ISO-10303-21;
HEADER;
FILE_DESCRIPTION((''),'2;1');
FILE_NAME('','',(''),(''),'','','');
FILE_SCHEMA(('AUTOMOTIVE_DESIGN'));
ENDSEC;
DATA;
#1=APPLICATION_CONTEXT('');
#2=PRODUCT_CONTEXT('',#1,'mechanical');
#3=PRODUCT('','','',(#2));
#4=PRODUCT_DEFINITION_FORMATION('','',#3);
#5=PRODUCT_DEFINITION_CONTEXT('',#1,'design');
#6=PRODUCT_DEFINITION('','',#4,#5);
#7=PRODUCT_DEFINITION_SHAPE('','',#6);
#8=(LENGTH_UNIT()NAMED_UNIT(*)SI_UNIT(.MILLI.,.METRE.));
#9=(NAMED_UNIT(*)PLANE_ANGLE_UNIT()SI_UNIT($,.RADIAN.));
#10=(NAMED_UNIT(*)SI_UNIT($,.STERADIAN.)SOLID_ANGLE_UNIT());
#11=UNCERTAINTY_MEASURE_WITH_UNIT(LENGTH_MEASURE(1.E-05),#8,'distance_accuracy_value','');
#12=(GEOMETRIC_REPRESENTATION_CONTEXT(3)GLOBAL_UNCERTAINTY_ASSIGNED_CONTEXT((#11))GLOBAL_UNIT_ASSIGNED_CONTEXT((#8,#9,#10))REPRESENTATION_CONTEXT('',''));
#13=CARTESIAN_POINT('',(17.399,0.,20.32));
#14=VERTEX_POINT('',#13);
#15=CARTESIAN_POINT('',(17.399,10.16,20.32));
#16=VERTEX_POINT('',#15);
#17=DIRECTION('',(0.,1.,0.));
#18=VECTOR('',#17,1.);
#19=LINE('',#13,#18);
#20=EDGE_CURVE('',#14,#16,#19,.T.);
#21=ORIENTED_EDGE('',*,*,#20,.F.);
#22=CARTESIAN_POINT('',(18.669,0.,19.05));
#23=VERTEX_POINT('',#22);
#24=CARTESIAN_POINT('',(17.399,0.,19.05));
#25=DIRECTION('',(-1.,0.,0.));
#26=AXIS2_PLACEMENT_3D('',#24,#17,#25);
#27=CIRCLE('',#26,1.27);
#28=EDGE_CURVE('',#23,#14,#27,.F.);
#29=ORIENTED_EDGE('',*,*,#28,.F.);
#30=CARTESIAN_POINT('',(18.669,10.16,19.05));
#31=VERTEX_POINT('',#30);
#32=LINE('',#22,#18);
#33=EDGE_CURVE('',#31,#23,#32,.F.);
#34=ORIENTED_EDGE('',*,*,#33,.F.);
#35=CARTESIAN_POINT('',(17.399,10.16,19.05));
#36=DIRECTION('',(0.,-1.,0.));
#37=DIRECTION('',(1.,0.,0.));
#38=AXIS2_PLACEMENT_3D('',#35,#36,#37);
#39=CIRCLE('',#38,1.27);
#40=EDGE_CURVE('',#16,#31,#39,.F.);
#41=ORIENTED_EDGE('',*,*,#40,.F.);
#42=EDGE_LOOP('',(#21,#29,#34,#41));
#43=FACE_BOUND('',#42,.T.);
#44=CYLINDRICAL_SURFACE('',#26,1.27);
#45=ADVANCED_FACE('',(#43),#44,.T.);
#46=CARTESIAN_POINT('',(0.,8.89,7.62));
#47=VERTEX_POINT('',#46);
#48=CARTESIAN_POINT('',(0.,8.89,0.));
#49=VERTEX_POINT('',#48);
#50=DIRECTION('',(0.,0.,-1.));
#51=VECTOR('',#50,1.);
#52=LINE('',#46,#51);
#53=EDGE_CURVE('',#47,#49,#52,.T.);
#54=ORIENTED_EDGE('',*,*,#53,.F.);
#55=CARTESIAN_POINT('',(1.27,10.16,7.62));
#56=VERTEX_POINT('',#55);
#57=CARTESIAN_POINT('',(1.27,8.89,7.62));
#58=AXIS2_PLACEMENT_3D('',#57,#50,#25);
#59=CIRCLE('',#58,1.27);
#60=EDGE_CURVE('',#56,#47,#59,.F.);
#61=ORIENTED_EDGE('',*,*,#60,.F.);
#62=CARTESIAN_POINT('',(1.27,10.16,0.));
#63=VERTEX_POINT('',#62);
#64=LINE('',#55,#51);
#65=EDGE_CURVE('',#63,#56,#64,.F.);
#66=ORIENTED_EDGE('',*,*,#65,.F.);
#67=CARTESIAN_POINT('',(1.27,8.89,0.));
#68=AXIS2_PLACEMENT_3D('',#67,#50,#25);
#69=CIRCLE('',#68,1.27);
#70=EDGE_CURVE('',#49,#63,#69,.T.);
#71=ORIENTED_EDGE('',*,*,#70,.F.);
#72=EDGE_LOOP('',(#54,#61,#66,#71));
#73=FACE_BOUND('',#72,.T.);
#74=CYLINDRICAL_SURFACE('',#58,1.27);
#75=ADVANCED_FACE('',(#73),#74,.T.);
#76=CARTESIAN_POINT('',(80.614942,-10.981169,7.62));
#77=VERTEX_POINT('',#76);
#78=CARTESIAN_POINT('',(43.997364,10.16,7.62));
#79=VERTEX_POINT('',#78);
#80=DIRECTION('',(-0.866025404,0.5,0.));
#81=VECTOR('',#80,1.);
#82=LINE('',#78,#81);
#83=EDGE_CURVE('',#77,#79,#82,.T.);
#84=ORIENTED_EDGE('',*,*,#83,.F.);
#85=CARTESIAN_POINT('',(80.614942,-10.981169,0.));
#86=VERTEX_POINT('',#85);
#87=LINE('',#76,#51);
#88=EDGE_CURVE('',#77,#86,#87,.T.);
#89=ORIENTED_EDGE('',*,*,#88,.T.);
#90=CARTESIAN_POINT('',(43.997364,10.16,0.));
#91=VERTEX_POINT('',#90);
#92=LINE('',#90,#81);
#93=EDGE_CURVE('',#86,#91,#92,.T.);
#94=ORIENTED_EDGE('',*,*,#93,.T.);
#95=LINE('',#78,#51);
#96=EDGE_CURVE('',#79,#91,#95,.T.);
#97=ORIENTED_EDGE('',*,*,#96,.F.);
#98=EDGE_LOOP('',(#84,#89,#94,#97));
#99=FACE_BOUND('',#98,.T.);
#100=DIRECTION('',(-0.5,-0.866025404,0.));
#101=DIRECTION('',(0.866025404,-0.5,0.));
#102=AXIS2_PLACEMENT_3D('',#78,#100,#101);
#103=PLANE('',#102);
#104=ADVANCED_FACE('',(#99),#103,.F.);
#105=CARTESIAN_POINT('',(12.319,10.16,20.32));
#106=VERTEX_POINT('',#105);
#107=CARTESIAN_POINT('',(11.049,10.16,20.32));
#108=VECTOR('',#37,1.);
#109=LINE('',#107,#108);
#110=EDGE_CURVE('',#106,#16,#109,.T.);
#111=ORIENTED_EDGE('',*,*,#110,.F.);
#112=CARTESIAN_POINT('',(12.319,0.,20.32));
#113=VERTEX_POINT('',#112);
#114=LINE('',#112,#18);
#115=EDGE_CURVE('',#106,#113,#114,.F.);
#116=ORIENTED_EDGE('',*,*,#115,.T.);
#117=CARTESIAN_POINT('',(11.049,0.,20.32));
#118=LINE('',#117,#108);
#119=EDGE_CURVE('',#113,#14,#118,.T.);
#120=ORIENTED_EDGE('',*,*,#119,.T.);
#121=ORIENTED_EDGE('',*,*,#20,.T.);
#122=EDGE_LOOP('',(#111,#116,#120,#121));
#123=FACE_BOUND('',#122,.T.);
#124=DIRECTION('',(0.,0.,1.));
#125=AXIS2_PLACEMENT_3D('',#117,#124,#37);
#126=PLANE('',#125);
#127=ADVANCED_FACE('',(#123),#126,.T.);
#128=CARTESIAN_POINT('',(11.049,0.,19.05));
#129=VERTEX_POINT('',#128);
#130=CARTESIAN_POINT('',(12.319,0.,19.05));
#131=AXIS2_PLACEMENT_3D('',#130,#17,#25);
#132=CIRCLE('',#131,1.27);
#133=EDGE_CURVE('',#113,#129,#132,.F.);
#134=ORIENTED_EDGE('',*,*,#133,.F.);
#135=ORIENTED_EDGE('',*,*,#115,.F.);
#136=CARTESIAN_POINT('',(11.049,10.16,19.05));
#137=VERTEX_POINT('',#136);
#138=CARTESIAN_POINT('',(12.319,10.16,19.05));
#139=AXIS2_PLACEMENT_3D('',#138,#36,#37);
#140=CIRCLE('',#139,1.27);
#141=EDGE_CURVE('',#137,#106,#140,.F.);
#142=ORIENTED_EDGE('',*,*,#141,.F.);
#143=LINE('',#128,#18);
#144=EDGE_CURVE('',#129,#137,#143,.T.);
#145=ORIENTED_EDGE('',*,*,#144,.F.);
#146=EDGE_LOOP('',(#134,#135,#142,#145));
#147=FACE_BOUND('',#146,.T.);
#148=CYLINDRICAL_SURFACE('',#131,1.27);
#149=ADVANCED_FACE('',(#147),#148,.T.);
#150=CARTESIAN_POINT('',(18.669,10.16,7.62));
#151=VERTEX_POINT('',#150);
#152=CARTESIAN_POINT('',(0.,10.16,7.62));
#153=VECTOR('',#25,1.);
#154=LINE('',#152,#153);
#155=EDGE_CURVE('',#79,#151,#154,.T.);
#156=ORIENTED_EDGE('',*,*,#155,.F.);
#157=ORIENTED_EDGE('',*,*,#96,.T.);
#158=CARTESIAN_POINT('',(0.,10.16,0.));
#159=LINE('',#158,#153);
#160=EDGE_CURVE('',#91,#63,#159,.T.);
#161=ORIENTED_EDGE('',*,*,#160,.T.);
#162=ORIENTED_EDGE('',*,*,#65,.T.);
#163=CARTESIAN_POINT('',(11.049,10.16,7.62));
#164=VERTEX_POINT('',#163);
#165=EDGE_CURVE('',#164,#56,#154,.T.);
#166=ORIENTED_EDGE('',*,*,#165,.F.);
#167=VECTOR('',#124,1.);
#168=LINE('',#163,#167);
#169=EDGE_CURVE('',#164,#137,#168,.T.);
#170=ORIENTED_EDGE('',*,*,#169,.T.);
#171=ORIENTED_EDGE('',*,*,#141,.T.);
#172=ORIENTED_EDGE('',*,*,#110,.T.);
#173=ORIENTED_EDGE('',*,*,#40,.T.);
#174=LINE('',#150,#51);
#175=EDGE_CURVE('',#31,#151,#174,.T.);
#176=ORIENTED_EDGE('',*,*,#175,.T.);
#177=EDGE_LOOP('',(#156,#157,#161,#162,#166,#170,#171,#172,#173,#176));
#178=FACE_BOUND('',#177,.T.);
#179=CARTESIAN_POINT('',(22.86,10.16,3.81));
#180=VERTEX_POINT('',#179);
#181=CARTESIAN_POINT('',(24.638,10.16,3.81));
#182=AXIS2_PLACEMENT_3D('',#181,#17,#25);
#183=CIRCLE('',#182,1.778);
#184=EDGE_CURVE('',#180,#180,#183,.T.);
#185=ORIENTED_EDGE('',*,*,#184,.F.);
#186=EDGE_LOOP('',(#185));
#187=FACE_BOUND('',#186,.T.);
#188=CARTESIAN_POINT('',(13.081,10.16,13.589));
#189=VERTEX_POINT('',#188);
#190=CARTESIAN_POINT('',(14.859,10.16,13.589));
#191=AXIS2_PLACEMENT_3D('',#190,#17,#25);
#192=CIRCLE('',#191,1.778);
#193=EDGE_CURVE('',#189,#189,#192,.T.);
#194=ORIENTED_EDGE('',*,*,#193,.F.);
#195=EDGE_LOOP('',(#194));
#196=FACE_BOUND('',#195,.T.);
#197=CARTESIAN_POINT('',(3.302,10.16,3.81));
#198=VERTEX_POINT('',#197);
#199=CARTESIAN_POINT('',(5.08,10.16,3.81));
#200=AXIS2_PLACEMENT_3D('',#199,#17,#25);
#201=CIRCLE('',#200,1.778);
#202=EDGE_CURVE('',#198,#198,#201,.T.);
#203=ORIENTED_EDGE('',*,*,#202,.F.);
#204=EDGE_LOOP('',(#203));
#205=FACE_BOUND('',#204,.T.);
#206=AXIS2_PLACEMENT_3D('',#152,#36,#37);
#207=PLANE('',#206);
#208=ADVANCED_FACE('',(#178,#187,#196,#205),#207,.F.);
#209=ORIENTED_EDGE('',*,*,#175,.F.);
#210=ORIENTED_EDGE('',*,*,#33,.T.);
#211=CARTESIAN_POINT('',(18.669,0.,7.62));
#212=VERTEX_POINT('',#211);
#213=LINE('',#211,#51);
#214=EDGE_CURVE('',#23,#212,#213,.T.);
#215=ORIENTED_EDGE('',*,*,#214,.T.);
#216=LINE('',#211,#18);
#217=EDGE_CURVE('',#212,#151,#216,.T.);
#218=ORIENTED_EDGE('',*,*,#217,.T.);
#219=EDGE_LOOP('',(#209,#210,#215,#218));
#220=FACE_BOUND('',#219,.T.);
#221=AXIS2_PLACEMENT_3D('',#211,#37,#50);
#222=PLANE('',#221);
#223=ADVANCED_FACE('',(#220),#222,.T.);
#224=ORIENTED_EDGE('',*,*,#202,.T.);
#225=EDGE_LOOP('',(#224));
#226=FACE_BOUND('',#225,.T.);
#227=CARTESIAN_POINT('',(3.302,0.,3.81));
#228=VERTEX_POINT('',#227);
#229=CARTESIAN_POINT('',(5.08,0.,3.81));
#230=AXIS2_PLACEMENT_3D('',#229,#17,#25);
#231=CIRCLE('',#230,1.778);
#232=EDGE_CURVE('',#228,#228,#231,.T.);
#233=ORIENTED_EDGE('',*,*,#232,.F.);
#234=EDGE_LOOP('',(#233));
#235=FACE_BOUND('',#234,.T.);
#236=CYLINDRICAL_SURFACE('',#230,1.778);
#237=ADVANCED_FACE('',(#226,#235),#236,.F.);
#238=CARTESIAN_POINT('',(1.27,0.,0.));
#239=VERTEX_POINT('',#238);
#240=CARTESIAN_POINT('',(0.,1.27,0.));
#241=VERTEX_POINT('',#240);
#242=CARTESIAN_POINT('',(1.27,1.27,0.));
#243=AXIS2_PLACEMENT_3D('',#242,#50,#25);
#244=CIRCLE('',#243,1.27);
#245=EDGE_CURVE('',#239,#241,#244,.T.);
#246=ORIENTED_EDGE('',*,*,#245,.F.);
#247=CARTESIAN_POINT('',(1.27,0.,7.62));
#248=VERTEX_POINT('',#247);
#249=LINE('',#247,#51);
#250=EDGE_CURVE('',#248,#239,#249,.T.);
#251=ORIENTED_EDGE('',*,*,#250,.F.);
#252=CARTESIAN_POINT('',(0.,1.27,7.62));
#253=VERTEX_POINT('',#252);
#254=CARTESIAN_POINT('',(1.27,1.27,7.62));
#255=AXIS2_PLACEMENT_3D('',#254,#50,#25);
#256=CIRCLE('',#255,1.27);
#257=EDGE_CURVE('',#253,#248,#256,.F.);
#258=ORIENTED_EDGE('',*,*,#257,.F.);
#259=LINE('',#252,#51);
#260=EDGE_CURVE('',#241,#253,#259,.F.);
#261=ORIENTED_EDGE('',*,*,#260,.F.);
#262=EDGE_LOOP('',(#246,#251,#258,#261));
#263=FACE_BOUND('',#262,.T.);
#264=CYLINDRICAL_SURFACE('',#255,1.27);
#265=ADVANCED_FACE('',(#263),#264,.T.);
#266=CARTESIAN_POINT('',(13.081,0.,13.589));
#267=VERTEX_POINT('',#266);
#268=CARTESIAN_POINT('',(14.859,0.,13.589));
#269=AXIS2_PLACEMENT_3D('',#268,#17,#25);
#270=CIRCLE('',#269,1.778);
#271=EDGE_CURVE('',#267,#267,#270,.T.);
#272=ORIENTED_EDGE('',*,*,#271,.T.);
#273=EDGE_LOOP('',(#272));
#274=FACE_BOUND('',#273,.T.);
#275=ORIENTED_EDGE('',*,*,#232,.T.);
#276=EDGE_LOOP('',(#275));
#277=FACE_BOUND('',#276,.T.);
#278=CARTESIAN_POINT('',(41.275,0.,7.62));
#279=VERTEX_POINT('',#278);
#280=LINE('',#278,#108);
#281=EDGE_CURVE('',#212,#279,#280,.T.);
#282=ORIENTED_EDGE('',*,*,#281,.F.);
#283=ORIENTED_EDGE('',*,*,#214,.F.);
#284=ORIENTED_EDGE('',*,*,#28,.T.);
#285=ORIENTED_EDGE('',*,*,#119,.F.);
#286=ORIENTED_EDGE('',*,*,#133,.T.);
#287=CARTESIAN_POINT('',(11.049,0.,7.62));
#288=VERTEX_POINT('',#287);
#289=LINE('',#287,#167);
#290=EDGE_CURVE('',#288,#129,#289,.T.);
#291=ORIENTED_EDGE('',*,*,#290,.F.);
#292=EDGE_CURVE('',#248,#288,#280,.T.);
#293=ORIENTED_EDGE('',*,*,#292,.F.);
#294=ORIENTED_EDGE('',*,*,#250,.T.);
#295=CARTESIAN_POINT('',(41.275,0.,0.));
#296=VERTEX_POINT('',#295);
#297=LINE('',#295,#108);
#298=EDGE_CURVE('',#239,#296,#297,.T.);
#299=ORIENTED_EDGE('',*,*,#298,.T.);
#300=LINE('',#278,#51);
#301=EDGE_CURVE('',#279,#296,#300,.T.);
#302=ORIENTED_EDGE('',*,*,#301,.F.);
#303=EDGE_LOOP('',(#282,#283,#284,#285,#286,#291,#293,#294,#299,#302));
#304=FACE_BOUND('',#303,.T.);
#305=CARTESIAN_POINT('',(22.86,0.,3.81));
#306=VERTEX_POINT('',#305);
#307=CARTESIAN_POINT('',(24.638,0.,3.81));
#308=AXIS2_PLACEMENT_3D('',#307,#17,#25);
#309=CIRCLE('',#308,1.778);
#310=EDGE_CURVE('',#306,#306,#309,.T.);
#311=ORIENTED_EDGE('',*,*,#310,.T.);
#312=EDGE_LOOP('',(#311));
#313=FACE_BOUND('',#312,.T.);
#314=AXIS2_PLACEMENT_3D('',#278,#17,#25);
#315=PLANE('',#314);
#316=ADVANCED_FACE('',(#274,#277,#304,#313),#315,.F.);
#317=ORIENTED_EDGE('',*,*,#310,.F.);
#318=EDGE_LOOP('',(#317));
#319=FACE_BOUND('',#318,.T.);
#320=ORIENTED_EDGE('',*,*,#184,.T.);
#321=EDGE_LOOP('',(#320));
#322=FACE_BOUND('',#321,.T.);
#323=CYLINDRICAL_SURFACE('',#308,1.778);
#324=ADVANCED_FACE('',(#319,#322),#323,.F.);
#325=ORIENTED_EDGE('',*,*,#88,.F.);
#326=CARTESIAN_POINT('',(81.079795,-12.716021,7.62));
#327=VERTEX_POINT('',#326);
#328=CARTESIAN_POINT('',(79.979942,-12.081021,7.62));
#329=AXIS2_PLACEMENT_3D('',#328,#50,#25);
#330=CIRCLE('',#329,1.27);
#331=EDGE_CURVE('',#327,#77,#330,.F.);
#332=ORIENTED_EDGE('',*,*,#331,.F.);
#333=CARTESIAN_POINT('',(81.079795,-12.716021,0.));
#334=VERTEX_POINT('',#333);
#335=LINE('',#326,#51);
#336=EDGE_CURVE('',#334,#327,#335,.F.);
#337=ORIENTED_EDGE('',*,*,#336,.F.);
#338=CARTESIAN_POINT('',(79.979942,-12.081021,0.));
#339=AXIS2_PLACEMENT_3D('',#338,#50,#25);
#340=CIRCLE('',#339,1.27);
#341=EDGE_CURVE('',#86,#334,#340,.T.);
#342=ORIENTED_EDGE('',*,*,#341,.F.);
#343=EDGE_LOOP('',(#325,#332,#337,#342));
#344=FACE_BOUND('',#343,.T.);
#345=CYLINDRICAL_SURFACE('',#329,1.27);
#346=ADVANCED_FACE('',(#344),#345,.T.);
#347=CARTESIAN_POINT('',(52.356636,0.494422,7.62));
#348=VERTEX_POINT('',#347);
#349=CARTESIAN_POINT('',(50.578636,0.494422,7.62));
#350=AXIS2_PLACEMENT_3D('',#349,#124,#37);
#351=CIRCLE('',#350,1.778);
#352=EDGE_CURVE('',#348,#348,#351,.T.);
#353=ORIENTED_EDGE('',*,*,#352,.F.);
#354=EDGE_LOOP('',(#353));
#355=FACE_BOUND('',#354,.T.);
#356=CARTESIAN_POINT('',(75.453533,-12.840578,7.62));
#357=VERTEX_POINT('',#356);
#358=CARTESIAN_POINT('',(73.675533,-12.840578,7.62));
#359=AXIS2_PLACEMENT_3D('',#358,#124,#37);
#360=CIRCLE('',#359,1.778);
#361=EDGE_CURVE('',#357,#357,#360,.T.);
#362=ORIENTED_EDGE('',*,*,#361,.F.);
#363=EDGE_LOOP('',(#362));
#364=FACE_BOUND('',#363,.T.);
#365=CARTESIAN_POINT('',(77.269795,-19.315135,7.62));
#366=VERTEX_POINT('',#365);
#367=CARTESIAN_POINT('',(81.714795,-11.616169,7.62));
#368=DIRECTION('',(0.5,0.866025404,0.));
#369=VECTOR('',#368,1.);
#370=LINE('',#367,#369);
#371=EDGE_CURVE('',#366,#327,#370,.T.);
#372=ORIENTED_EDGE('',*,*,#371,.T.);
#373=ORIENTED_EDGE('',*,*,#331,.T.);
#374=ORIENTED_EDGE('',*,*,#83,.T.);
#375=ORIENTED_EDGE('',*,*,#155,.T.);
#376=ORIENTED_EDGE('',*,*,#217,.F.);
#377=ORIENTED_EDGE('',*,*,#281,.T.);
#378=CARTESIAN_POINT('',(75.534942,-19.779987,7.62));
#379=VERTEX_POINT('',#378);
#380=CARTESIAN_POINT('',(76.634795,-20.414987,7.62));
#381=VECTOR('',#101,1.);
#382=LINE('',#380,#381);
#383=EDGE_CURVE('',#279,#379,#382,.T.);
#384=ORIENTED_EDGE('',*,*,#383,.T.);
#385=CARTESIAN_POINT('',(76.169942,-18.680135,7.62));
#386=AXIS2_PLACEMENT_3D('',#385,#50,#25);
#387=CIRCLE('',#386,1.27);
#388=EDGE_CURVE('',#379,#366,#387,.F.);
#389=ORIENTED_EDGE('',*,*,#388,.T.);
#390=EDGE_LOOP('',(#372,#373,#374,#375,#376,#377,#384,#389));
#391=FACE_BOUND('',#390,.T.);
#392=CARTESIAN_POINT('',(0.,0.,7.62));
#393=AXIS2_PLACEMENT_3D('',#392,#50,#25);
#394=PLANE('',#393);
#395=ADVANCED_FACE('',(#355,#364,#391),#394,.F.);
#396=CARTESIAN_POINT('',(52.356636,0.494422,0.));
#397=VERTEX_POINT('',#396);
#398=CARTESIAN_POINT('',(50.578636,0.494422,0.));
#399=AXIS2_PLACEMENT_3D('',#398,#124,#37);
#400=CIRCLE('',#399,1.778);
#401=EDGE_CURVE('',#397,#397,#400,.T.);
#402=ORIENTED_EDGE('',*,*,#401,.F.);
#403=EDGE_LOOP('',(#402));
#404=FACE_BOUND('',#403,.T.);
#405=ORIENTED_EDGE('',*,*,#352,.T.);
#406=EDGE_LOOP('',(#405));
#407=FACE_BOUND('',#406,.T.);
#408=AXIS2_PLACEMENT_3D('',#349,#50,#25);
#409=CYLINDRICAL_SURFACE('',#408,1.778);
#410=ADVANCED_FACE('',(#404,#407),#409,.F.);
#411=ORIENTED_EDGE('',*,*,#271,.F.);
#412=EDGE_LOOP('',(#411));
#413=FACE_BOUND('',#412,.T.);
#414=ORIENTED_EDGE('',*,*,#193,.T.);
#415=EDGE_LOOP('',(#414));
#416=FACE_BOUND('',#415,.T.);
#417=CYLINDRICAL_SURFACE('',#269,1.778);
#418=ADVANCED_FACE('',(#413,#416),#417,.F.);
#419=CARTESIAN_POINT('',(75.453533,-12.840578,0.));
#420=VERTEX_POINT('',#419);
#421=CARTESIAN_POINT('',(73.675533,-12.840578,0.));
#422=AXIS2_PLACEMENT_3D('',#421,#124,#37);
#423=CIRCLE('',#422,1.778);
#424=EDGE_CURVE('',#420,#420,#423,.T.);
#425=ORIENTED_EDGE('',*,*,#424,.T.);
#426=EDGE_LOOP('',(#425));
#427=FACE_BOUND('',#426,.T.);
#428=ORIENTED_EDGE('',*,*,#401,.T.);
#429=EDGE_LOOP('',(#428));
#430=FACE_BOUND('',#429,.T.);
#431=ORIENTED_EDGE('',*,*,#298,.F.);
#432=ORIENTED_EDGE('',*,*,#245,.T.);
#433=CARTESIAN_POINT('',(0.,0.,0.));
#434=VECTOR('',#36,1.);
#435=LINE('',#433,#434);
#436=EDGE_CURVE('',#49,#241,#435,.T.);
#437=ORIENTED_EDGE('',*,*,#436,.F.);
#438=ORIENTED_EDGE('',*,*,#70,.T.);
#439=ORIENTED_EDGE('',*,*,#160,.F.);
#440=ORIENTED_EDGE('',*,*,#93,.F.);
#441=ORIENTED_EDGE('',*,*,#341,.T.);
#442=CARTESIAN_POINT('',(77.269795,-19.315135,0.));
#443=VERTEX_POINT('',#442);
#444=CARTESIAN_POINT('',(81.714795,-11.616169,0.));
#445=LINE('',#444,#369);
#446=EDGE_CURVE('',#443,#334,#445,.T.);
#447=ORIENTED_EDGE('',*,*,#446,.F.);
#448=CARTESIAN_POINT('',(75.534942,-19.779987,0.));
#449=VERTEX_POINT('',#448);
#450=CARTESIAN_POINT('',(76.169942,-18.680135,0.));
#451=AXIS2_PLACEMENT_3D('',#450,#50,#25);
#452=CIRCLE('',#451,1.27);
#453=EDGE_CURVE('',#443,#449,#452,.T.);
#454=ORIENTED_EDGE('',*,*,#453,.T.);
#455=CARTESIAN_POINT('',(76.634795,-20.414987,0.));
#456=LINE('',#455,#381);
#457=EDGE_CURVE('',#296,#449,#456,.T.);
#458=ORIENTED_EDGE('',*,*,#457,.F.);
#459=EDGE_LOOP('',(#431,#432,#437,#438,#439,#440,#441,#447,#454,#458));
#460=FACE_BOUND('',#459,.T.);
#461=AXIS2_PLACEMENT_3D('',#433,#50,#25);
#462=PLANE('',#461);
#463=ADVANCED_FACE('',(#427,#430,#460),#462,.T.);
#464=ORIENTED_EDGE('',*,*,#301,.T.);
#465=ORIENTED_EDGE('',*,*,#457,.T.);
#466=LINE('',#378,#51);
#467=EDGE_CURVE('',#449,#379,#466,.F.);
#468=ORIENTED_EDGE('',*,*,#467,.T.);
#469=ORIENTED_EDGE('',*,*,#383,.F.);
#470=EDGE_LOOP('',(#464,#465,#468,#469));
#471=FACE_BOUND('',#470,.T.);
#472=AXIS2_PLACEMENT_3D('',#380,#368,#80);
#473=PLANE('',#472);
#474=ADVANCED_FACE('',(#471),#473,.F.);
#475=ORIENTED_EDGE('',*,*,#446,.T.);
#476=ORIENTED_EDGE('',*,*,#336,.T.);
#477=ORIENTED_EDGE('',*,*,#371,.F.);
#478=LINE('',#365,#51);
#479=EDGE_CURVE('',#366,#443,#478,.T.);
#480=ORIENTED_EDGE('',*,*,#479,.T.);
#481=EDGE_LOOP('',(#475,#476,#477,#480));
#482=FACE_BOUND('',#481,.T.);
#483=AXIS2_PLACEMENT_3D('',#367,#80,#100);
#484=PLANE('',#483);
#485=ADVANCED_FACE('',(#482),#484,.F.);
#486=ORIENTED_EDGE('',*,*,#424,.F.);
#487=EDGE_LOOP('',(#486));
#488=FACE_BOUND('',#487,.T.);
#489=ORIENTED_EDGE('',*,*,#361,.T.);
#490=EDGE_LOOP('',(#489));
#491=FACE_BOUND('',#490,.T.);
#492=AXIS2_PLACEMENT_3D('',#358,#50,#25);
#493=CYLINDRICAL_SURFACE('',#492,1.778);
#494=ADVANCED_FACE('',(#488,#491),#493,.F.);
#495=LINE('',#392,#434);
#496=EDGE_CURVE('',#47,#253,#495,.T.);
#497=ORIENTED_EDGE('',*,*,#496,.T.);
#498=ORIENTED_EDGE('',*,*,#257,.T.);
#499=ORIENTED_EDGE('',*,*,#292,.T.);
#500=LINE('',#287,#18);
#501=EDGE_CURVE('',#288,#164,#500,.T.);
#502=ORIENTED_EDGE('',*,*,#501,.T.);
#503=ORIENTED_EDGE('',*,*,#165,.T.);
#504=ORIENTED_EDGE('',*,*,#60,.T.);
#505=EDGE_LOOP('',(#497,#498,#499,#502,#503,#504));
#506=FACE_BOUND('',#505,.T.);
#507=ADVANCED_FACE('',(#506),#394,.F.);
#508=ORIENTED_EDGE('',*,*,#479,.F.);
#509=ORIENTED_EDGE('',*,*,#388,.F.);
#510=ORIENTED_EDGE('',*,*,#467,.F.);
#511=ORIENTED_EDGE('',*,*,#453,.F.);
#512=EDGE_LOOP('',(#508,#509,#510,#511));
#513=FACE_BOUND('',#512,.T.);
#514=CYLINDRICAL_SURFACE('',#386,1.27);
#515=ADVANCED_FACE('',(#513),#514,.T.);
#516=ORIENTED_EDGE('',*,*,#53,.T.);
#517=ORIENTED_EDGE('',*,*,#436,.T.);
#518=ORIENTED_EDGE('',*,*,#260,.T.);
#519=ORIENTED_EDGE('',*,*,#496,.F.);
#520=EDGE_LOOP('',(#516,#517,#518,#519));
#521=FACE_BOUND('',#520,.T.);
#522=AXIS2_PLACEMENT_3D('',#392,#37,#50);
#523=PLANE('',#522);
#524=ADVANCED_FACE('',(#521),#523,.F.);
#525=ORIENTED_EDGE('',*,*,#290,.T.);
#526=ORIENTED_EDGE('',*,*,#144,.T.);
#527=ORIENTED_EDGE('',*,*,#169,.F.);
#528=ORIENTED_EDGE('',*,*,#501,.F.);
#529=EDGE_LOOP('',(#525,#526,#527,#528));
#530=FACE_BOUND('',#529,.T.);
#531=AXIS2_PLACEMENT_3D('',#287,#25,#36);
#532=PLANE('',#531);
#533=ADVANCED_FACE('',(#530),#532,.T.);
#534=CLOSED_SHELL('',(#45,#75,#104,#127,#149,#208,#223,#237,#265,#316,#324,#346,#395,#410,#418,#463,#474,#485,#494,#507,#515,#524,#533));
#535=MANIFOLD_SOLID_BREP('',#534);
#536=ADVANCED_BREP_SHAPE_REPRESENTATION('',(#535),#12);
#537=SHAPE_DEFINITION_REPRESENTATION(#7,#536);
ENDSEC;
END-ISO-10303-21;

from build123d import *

# Parameters (mm, degrees)
SKETCH1_R           = 1.778
BOSS_EXTRUDE1_DEPTH = 7.62
SKETCH2_R           = 1.778
CUT_EXTRUDE1_DEPTH  = 10.16
SKETCH3_W           = 7.62
SKETCH3_H           = 12.7
SKETCH3_R           = 1.778
BOSS_EXTRUDE2_DEPTH = 10.16
FILLET1_R           = 1.27


with BuildPart() as part:
    # Sketch1 → Boss-Extrude1 (new body)
    with BuildSketch(Plane.XY):
        Polygon((0, 0), (0, 10.16), (43.997363795, 10.16), (81.714794759, -11.61616892), (76.634794759, -20.414987023), (41.275, 0), align=None)
        with Locations((50.578635926, 0.494422029)):
            Circle(SKETCH1_R, mode=Mode.SUBTRACT)
        with Locations((73.675533445, -12.840577971)):
            Circle(SKETCH1_R, mode=Mode.SUBTRACT)
    extrude(amount=BOSS_EXTRUDE1_DEPTH)

    # Sketch2 → Cut-Extrude1 (cut)
    with BuildSketch(Plane(origin=(0, 10.16, 0), x_dir=(1, 0, 0), z_dir=(0, 1, 0))):
        with Locations((5.08, -3.81)):
            Circle(SKETCH2_R)
        with Locations((24.638, -3.81)):
            Circle(SKETCH2_R)
    extrude(amount=-CUT_EXTRUDE1_DEPTH, mode=Mode.SUBTRACT)

    # Sketch3 → Boss-Extrude2 (add)
    with BuildSketch(Plane(origin=(0, 10.16, 0), x_dir=(1, 0, 0), z_dir=(0, 1, 0))):
        with Locations((14.859, -13.97)):
            Rectangle(SKETCH3_W, SKETCH3_H)
        with Locations((14.859, -13.589)):
            Circle(SKETCH3_R, mode=Mode.SUBTRACT)
    extrude(amount=-BOSS_EXTRUDE2_DEPTH)

    # Fillet1
    fillet1_edges = [part.edges().sort_by_distance(p)[0] for p in [
        (0, 0, 3.81),
        (0, 10.16, 3.81),
        (81.714794759, -11.61616892, 3.81),
        (76.634794759, -20.414987023, 3.81),
        (11.049, 5.08, 20.32),
        (18.669, 5.08, 20.32),
    ]]
    fillet(fillet1_edges, radius=FILLET1_R)


solid = part.part
